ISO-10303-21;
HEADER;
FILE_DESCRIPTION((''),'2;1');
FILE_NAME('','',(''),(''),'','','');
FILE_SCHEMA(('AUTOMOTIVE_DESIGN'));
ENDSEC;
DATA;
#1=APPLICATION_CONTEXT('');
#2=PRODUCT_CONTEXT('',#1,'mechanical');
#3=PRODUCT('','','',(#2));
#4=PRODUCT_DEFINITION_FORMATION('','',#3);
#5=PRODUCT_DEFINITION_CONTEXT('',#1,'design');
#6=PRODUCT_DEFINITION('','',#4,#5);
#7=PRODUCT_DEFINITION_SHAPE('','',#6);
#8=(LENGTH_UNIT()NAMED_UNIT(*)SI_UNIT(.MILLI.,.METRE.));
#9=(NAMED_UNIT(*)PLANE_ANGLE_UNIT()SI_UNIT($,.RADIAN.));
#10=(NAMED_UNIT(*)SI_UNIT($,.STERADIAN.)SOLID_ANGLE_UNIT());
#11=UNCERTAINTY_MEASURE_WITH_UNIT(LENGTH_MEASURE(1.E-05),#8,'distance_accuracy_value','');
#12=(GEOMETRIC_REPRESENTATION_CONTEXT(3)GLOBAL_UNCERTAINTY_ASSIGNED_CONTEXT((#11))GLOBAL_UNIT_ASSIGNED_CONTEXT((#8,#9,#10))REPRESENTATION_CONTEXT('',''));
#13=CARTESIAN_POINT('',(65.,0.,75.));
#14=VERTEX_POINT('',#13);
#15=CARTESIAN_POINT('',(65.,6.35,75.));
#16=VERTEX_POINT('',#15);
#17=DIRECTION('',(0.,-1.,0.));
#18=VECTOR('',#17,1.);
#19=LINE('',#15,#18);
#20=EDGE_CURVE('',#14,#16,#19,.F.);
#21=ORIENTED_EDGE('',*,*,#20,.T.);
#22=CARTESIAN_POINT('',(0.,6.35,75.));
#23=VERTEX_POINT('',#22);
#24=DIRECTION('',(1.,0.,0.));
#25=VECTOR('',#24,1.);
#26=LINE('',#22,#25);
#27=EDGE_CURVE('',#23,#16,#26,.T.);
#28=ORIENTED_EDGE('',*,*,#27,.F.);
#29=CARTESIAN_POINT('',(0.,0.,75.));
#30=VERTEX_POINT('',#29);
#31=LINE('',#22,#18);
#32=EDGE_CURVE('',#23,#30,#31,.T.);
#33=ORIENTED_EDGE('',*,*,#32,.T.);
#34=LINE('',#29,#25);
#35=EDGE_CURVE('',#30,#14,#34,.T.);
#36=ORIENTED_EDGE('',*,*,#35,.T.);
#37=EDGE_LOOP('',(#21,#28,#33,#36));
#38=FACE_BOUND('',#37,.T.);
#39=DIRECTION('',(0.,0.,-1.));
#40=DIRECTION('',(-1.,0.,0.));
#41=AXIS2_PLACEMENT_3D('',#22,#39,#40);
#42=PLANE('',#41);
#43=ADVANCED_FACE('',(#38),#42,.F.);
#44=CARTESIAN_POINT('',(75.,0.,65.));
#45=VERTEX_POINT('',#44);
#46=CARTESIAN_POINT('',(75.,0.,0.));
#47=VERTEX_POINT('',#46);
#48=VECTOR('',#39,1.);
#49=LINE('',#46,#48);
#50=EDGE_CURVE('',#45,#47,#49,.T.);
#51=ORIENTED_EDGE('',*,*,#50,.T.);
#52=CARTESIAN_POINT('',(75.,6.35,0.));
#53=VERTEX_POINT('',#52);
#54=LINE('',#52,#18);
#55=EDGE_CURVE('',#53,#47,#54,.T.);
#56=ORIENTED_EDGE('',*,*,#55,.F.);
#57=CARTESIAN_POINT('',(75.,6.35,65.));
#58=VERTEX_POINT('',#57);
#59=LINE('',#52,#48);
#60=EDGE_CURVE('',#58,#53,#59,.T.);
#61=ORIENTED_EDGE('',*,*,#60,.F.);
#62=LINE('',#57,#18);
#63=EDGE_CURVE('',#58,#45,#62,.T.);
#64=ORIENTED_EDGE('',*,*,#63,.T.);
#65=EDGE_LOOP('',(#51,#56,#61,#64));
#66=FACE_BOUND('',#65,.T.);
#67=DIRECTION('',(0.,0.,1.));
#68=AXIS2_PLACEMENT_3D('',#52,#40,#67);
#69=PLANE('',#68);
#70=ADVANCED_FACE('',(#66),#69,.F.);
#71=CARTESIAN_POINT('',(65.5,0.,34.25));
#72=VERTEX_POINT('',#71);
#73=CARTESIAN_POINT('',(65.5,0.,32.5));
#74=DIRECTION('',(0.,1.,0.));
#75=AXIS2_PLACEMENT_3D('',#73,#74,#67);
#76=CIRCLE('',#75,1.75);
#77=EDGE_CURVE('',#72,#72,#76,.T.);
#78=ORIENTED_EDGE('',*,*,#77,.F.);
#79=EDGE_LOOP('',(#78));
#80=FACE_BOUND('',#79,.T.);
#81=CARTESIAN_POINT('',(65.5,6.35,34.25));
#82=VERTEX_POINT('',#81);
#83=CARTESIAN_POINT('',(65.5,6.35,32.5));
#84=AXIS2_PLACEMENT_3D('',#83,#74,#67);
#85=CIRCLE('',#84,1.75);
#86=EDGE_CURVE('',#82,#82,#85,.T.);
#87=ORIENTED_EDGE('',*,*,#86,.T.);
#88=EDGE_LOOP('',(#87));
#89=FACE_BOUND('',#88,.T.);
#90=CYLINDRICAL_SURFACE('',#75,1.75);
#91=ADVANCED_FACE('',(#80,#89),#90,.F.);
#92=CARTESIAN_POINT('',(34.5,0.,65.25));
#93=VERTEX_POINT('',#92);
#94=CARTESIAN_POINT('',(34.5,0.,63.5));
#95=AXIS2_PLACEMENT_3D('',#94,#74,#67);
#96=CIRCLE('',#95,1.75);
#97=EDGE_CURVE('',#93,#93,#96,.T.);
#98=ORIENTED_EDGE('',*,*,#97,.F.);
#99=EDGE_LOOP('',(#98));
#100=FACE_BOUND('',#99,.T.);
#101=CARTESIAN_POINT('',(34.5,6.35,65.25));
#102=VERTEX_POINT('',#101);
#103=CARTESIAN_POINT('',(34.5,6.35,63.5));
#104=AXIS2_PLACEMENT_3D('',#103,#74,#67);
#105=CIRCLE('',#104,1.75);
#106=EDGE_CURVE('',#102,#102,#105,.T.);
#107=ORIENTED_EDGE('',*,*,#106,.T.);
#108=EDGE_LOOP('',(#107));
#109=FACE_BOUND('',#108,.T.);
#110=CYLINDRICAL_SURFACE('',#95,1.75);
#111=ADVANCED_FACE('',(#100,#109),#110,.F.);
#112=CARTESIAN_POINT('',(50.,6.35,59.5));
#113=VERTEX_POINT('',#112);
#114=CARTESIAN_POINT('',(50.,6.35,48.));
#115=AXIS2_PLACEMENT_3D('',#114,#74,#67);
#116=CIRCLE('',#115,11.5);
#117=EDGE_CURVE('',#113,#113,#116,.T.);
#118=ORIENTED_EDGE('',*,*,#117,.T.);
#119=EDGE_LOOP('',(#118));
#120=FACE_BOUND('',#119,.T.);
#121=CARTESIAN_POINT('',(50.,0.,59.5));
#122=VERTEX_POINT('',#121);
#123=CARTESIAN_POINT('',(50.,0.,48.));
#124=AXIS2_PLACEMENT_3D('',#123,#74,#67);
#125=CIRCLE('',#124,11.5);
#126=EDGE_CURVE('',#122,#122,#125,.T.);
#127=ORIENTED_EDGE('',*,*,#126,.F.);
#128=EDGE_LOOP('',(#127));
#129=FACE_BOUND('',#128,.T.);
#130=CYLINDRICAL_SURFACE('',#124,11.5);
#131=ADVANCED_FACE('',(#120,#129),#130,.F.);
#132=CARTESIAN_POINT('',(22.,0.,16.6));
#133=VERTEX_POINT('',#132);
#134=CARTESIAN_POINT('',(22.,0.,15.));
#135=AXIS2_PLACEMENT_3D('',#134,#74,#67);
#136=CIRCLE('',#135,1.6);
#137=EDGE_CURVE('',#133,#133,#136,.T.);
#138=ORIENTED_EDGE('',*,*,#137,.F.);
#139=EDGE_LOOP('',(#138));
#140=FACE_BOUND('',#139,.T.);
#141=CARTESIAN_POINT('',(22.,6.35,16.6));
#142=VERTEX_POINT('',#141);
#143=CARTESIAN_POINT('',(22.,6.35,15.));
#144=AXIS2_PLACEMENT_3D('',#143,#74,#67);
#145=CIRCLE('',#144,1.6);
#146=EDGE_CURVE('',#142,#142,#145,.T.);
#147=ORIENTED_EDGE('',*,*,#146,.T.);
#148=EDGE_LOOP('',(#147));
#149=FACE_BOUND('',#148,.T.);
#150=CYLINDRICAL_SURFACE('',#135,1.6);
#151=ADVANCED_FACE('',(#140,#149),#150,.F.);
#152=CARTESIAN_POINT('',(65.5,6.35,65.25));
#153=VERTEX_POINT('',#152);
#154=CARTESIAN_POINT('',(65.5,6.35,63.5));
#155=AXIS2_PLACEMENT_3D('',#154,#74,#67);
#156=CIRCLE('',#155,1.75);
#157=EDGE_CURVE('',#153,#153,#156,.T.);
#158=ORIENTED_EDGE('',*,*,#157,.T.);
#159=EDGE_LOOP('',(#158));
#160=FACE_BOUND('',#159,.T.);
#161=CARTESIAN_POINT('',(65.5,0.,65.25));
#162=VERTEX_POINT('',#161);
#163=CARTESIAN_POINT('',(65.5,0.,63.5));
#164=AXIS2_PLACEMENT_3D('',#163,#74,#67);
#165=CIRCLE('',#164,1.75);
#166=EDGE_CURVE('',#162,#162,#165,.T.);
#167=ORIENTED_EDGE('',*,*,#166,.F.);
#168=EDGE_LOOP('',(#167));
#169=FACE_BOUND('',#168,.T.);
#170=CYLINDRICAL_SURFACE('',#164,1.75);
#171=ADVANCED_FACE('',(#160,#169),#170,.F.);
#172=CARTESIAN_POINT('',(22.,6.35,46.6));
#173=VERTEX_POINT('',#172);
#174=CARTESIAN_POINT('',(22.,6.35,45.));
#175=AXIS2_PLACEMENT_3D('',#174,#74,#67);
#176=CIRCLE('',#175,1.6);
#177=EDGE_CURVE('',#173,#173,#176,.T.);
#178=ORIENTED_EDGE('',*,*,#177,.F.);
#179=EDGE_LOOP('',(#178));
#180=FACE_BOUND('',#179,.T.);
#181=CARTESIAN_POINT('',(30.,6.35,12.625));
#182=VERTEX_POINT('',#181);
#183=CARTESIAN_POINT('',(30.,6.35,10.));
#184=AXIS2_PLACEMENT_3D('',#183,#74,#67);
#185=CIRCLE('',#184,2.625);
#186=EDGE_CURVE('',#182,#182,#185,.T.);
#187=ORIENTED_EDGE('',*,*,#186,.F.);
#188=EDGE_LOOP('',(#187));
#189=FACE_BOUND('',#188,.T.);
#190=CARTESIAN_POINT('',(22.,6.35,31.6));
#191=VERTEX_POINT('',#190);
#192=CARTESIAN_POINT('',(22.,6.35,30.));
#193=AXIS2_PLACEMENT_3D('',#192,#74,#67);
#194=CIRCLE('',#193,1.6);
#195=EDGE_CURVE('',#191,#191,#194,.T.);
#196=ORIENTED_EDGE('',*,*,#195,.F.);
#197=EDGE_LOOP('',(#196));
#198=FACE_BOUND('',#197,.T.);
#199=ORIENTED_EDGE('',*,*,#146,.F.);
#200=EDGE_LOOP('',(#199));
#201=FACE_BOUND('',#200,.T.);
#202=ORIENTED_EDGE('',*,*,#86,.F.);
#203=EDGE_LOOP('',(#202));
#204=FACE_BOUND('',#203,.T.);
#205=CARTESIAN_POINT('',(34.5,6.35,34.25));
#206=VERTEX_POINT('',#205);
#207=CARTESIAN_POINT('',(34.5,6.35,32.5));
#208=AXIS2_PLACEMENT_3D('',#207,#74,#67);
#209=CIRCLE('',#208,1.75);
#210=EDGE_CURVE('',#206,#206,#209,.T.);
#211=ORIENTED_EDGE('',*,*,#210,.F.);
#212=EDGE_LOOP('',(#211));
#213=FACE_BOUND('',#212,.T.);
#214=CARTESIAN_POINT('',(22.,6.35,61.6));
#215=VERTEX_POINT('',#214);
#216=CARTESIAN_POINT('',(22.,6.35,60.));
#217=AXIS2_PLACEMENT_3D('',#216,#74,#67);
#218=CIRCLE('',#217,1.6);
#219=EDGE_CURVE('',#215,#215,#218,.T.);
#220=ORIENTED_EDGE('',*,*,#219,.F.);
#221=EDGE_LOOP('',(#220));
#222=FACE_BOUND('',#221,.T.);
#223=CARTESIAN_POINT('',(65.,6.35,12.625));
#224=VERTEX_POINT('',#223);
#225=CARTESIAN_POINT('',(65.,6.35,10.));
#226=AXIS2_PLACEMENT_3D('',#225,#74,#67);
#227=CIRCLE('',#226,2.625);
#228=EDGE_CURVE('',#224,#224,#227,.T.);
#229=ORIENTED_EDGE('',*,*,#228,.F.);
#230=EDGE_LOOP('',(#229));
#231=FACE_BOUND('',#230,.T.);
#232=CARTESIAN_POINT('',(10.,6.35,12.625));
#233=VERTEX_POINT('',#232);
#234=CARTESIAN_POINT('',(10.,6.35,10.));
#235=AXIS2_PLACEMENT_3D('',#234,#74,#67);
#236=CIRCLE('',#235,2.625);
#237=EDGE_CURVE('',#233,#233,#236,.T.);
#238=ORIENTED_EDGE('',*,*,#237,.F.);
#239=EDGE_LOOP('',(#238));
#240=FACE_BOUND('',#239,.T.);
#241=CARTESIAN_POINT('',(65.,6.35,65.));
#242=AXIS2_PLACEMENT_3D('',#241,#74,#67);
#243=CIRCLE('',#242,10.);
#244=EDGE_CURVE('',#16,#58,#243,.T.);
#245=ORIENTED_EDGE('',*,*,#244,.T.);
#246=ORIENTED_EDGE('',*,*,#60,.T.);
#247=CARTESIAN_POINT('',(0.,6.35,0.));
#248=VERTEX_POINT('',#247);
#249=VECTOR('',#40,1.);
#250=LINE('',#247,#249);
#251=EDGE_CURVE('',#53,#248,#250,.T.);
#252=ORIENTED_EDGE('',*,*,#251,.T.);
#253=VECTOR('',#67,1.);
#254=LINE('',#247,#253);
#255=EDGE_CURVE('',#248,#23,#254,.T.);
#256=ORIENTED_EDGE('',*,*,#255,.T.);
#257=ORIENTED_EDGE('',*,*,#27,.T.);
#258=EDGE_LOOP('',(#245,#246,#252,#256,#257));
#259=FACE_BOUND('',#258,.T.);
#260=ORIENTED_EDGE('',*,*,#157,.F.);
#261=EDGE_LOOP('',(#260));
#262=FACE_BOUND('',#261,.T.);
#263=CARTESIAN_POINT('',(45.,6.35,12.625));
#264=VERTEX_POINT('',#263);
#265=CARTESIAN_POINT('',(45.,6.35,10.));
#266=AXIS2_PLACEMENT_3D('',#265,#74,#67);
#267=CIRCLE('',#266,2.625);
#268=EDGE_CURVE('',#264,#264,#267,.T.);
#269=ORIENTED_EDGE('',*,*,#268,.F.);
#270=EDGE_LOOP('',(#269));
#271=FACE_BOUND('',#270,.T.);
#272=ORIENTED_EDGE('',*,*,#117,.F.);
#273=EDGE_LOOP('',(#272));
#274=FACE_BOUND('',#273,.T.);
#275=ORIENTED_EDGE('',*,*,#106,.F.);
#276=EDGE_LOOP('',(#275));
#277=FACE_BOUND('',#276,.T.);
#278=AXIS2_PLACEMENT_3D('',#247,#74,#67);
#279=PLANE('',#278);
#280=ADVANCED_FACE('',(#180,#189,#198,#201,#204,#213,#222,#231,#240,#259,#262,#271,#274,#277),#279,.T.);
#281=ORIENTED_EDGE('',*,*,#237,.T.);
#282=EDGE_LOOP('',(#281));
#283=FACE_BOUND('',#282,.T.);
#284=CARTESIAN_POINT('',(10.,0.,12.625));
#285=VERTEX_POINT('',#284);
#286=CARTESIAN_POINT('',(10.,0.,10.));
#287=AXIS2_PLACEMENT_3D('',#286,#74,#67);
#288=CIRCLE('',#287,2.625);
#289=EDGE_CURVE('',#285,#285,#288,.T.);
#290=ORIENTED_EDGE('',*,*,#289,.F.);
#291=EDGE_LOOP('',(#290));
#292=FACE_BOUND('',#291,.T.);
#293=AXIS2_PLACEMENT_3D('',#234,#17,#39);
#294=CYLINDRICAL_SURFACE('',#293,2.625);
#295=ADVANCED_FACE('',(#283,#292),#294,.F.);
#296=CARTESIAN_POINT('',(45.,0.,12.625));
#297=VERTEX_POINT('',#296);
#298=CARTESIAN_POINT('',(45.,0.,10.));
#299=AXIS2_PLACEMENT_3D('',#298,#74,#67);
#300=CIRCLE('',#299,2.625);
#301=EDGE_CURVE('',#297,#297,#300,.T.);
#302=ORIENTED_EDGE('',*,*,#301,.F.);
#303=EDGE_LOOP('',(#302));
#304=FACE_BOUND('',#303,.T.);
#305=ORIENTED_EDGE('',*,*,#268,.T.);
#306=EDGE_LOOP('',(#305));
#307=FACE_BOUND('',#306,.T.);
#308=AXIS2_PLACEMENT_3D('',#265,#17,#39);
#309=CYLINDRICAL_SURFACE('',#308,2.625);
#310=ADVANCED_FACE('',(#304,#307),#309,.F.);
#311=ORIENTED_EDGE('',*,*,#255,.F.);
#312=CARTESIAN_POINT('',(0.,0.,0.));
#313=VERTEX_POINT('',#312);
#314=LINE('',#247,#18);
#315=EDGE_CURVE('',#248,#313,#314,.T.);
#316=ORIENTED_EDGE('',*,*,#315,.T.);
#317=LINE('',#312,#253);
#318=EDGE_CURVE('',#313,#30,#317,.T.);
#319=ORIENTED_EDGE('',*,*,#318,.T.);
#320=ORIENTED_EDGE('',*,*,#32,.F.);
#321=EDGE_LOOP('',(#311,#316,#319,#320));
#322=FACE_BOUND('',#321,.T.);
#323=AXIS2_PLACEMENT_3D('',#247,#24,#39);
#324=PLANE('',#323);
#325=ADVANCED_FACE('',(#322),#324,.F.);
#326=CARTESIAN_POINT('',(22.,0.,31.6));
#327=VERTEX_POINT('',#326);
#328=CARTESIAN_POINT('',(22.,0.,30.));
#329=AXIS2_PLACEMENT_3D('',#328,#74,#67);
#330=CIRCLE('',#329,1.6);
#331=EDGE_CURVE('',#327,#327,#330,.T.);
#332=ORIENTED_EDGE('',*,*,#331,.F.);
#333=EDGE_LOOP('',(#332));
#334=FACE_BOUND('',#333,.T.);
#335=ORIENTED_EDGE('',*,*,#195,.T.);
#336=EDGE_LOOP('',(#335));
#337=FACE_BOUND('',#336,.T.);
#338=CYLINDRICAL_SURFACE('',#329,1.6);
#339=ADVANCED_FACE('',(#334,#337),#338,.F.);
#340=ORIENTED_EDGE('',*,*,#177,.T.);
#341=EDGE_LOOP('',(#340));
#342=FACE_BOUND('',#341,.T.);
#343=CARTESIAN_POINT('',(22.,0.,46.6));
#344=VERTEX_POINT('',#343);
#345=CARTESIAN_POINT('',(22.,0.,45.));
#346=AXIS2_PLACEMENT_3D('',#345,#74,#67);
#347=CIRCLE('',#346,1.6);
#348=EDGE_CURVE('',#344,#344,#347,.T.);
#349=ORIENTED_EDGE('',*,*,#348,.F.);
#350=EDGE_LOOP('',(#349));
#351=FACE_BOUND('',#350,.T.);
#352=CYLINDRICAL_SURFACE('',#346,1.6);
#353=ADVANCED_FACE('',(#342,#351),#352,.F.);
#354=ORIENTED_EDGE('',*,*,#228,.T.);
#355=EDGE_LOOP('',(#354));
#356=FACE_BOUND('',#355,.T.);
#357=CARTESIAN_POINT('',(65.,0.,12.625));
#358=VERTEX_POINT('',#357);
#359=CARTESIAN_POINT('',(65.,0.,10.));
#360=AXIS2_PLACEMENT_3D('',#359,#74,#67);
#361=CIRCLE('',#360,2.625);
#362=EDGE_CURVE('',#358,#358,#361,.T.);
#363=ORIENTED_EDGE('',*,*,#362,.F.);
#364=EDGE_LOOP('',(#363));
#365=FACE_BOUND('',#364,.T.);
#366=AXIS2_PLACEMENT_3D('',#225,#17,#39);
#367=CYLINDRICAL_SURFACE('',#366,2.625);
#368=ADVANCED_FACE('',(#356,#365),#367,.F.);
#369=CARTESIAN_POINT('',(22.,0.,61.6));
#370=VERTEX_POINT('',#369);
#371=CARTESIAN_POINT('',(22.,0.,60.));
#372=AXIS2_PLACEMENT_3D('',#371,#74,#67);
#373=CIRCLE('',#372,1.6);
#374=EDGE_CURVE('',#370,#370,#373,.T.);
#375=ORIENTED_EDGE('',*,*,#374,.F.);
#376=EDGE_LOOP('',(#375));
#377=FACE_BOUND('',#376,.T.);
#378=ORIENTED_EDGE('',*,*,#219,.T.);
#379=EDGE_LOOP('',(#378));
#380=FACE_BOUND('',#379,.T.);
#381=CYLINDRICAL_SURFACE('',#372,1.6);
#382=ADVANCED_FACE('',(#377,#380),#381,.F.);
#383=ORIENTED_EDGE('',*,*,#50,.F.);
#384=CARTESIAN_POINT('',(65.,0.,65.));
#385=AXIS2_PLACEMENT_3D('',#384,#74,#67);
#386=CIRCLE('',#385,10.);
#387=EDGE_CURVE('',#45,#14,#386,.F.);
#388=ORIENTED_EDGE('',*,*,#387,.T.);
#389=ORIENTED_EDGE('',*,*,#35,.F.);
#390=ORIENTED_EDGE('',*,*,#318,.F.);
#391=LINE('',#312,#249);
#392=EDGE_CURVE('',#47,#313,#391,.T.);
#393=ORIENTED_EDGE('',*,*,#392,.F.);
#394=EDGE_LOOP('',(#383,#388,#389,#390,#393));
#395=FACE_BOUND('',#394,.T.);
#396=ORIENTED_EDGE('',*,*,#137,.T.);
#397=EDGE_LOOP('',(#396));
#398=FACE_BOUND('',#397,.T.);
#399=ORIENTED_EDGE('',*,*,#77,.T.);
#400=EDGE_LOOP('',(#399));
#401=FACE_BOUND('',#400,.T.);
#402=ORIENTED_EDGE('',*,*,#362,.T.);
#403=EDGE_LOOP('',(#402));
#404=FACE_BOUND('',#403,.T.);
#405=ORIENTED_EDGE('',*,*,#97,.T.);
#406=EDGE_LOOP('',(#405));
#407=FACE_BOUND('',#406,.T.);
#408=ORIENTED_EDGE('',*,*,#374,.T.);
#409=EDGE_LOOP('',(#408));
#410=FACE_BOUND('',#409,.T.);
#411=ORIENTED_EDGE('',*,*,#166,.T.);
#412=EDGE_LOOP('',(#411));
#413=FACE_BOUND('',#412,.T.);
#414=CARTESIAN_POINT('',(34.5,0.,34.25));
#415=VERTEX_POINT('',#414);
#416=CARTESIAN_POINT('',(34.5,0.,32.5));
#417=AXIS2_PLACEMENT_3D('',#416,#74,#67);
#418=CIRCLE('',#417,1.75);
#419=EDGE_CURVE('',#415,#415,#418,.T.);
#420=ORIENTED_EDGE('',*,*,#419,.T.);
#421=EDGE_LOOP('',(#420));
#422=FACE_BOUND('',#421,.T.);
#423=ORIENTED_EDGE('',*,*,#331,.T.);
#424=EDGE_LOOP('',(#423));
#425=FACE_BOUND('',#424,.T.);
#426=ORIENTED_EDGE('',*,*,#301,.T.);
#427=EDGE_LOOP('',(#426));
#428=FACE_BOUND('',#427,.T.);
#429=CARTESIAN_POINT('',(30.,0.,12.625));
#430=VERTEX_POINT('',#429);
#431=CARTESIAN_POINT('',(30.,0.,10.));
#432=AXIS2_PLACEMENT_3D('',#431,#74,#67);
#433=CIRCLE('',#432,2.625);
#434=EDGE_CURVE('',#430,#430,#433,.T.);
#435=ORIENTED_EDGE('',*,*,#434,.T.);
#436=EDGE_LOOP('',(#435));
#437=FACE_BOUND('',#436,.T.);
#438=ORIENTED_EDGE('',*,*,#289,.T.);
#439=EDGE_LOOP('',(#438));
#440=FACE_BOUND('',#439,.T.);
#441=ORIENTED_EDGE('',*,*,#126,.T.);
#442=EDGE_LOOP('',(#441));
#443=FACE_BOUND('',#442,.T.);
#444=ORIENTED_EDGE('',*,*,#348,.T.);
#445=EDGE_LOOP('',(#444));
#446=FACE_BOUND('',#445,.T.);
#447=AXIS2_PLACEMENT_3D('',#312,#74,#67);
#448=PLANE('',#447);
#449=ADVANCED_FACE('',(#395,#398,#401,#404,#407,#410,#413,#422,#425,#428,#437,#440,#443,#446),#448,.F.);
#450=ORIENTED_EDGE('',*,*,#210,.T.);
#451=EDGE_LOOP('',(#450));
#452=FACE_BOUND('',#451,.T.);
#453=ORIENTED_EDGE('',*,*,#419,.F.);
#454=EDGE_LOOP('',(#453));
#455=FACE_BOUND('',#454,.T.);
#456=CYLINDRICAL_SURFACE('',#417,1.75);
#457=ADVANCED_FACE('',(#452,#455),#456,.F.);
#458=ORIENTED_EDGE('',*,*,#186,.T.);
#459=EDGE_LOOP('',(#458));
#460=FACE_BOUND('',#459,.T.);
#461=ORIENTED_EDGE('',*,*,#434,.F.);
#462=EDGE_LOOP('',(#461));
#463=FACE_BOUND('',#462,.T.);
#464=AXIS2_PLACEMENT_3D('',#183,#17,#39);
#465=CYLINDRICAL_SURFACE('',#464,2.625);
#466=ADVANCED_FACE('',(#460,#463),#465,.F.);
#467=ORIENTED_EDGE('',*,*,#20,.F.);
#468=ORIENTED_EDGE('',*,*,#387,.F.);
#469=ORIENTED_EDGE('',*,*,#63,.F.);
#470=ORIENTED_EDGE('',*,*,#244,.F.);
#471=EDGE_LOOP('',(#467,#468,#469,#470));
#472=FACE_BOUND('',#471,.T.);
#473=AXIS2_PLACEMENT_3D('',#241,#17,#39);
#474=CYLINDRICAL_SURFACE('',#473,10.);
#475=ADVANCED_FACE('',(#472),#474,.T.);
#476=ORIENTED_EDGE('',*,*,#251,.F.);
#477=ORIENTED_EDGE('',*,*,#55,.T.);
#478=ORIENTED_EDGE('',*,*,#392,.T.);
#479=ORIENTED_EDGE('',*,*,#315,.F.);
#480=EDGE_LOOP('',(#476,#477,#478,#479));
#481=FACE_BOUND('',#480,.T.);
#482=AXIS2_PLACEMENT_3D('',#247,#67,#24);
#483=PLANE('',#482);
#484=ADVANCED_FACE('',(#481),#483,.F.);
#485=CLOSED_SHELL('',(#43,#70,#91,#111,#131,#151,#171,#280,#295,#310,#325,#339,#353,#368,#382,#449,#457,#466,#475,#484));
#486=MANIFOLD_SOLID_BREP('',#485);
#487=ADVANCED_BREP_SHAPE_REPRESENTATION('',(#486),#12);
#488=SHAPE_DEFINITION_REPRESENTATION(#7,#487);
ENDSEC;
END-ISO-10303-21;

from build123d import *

# Parameters (mm, degrees)
SKETCH1_W           = 75
SKETCH1_H           = 75
SKETCH1_R           = 2.625
BOSS_EXTRUDE1_DEPTH = 6.35
FILLET1_R           = 10
SKETCH3_R           = 11.5
SKETCH3_R_2         = 1.75
CUT_EXTRUDE2_DEPTH  = 7.35
SKETCH4_R           = 1.6
CUT_EXTRUDE3_DEPTH  = 7.35


with BuildPart() as part:
    # Sketch1 → Boss-Extrude1 (new body)
    with BuildSketch(Plane(origin=(0, 0, 0), x_dir=(1, 0, 0), z_dir=(0, 1, 0))):
        with Locations((37.5, -37.5)):
            Rectangle(SKETCH1_W, SKETCH1_H)
        with Locations((10, -10)):
            Circle(SKETCH1_R, mode=Mode.SUBTRACT)
        with Locations((45, -10)):
            Circle(SKETCH1_R, mode=Mode.SUBTRACT)
        with Locations((65, -10)):
            Circle(SKETCH1_R, mode=Mode.SUBTRACT)
        with Locations((30, -10)):
            Circle(SKETCH1_R, mode=Mode.SUBTRACT)
    extrude(amount=BOSS_EXTRUDE1_DEPTH)

    # Fillet1
    fillet1_edges = [part.edges().sort_by_distance(p)[0] for p in [
        (75, 3.175, 75),
    ]]
    fillet(fillet1_edges, radius=FILLET1_R)

    # Sketch3 → Cut-Extrude2 (cut, through all)
    with BuildSketch(Plane(origin=(0, 6.35, 0), x_dir=(1, 0, 0), z_dir=(0, 1, 0))):
        with Locations((50, -48)):
            Circle(SKETCH3_R)
        with Locations((34.5, -32.5)):
            Circle(SKETCH3_R_2)
        with Locations((65.5, -32.5)):
            Circle(SKETCH3_R_2)
        with Locations((65.5, -63.5)):
            Circle(SKETCH3_R_2)
        with Locations((34.5, -63.5)):
            Circle(SKETCH3_R_2)
    extrude(amount=-CUT_EXTRUDE2_DEPTH, mode=Mode.SUBTRACT)

    # Sketch4 → Cut-Extrude3 (cut, through all)
    with BuildSketch(Plane(origin=(0, 6.35, 0), x_dir=(1, 0, 0), z_dir=(0, 1, 0))):
        with Locations((22, -15)):
            Circle(SKETCH4_R)
        with Locations((22, -30)):
            Circle(SKETCH4_R)
        with Locations((22, -45)):
            Circle(SKETCH4_R)
        with Locations((22, -60)):
            Circle(SKETCH4_R)
    extrude(amount=-CUT_EXTRUDE3_DEPTH, mode=Mode.SUBTRACT)


solid = part.part
